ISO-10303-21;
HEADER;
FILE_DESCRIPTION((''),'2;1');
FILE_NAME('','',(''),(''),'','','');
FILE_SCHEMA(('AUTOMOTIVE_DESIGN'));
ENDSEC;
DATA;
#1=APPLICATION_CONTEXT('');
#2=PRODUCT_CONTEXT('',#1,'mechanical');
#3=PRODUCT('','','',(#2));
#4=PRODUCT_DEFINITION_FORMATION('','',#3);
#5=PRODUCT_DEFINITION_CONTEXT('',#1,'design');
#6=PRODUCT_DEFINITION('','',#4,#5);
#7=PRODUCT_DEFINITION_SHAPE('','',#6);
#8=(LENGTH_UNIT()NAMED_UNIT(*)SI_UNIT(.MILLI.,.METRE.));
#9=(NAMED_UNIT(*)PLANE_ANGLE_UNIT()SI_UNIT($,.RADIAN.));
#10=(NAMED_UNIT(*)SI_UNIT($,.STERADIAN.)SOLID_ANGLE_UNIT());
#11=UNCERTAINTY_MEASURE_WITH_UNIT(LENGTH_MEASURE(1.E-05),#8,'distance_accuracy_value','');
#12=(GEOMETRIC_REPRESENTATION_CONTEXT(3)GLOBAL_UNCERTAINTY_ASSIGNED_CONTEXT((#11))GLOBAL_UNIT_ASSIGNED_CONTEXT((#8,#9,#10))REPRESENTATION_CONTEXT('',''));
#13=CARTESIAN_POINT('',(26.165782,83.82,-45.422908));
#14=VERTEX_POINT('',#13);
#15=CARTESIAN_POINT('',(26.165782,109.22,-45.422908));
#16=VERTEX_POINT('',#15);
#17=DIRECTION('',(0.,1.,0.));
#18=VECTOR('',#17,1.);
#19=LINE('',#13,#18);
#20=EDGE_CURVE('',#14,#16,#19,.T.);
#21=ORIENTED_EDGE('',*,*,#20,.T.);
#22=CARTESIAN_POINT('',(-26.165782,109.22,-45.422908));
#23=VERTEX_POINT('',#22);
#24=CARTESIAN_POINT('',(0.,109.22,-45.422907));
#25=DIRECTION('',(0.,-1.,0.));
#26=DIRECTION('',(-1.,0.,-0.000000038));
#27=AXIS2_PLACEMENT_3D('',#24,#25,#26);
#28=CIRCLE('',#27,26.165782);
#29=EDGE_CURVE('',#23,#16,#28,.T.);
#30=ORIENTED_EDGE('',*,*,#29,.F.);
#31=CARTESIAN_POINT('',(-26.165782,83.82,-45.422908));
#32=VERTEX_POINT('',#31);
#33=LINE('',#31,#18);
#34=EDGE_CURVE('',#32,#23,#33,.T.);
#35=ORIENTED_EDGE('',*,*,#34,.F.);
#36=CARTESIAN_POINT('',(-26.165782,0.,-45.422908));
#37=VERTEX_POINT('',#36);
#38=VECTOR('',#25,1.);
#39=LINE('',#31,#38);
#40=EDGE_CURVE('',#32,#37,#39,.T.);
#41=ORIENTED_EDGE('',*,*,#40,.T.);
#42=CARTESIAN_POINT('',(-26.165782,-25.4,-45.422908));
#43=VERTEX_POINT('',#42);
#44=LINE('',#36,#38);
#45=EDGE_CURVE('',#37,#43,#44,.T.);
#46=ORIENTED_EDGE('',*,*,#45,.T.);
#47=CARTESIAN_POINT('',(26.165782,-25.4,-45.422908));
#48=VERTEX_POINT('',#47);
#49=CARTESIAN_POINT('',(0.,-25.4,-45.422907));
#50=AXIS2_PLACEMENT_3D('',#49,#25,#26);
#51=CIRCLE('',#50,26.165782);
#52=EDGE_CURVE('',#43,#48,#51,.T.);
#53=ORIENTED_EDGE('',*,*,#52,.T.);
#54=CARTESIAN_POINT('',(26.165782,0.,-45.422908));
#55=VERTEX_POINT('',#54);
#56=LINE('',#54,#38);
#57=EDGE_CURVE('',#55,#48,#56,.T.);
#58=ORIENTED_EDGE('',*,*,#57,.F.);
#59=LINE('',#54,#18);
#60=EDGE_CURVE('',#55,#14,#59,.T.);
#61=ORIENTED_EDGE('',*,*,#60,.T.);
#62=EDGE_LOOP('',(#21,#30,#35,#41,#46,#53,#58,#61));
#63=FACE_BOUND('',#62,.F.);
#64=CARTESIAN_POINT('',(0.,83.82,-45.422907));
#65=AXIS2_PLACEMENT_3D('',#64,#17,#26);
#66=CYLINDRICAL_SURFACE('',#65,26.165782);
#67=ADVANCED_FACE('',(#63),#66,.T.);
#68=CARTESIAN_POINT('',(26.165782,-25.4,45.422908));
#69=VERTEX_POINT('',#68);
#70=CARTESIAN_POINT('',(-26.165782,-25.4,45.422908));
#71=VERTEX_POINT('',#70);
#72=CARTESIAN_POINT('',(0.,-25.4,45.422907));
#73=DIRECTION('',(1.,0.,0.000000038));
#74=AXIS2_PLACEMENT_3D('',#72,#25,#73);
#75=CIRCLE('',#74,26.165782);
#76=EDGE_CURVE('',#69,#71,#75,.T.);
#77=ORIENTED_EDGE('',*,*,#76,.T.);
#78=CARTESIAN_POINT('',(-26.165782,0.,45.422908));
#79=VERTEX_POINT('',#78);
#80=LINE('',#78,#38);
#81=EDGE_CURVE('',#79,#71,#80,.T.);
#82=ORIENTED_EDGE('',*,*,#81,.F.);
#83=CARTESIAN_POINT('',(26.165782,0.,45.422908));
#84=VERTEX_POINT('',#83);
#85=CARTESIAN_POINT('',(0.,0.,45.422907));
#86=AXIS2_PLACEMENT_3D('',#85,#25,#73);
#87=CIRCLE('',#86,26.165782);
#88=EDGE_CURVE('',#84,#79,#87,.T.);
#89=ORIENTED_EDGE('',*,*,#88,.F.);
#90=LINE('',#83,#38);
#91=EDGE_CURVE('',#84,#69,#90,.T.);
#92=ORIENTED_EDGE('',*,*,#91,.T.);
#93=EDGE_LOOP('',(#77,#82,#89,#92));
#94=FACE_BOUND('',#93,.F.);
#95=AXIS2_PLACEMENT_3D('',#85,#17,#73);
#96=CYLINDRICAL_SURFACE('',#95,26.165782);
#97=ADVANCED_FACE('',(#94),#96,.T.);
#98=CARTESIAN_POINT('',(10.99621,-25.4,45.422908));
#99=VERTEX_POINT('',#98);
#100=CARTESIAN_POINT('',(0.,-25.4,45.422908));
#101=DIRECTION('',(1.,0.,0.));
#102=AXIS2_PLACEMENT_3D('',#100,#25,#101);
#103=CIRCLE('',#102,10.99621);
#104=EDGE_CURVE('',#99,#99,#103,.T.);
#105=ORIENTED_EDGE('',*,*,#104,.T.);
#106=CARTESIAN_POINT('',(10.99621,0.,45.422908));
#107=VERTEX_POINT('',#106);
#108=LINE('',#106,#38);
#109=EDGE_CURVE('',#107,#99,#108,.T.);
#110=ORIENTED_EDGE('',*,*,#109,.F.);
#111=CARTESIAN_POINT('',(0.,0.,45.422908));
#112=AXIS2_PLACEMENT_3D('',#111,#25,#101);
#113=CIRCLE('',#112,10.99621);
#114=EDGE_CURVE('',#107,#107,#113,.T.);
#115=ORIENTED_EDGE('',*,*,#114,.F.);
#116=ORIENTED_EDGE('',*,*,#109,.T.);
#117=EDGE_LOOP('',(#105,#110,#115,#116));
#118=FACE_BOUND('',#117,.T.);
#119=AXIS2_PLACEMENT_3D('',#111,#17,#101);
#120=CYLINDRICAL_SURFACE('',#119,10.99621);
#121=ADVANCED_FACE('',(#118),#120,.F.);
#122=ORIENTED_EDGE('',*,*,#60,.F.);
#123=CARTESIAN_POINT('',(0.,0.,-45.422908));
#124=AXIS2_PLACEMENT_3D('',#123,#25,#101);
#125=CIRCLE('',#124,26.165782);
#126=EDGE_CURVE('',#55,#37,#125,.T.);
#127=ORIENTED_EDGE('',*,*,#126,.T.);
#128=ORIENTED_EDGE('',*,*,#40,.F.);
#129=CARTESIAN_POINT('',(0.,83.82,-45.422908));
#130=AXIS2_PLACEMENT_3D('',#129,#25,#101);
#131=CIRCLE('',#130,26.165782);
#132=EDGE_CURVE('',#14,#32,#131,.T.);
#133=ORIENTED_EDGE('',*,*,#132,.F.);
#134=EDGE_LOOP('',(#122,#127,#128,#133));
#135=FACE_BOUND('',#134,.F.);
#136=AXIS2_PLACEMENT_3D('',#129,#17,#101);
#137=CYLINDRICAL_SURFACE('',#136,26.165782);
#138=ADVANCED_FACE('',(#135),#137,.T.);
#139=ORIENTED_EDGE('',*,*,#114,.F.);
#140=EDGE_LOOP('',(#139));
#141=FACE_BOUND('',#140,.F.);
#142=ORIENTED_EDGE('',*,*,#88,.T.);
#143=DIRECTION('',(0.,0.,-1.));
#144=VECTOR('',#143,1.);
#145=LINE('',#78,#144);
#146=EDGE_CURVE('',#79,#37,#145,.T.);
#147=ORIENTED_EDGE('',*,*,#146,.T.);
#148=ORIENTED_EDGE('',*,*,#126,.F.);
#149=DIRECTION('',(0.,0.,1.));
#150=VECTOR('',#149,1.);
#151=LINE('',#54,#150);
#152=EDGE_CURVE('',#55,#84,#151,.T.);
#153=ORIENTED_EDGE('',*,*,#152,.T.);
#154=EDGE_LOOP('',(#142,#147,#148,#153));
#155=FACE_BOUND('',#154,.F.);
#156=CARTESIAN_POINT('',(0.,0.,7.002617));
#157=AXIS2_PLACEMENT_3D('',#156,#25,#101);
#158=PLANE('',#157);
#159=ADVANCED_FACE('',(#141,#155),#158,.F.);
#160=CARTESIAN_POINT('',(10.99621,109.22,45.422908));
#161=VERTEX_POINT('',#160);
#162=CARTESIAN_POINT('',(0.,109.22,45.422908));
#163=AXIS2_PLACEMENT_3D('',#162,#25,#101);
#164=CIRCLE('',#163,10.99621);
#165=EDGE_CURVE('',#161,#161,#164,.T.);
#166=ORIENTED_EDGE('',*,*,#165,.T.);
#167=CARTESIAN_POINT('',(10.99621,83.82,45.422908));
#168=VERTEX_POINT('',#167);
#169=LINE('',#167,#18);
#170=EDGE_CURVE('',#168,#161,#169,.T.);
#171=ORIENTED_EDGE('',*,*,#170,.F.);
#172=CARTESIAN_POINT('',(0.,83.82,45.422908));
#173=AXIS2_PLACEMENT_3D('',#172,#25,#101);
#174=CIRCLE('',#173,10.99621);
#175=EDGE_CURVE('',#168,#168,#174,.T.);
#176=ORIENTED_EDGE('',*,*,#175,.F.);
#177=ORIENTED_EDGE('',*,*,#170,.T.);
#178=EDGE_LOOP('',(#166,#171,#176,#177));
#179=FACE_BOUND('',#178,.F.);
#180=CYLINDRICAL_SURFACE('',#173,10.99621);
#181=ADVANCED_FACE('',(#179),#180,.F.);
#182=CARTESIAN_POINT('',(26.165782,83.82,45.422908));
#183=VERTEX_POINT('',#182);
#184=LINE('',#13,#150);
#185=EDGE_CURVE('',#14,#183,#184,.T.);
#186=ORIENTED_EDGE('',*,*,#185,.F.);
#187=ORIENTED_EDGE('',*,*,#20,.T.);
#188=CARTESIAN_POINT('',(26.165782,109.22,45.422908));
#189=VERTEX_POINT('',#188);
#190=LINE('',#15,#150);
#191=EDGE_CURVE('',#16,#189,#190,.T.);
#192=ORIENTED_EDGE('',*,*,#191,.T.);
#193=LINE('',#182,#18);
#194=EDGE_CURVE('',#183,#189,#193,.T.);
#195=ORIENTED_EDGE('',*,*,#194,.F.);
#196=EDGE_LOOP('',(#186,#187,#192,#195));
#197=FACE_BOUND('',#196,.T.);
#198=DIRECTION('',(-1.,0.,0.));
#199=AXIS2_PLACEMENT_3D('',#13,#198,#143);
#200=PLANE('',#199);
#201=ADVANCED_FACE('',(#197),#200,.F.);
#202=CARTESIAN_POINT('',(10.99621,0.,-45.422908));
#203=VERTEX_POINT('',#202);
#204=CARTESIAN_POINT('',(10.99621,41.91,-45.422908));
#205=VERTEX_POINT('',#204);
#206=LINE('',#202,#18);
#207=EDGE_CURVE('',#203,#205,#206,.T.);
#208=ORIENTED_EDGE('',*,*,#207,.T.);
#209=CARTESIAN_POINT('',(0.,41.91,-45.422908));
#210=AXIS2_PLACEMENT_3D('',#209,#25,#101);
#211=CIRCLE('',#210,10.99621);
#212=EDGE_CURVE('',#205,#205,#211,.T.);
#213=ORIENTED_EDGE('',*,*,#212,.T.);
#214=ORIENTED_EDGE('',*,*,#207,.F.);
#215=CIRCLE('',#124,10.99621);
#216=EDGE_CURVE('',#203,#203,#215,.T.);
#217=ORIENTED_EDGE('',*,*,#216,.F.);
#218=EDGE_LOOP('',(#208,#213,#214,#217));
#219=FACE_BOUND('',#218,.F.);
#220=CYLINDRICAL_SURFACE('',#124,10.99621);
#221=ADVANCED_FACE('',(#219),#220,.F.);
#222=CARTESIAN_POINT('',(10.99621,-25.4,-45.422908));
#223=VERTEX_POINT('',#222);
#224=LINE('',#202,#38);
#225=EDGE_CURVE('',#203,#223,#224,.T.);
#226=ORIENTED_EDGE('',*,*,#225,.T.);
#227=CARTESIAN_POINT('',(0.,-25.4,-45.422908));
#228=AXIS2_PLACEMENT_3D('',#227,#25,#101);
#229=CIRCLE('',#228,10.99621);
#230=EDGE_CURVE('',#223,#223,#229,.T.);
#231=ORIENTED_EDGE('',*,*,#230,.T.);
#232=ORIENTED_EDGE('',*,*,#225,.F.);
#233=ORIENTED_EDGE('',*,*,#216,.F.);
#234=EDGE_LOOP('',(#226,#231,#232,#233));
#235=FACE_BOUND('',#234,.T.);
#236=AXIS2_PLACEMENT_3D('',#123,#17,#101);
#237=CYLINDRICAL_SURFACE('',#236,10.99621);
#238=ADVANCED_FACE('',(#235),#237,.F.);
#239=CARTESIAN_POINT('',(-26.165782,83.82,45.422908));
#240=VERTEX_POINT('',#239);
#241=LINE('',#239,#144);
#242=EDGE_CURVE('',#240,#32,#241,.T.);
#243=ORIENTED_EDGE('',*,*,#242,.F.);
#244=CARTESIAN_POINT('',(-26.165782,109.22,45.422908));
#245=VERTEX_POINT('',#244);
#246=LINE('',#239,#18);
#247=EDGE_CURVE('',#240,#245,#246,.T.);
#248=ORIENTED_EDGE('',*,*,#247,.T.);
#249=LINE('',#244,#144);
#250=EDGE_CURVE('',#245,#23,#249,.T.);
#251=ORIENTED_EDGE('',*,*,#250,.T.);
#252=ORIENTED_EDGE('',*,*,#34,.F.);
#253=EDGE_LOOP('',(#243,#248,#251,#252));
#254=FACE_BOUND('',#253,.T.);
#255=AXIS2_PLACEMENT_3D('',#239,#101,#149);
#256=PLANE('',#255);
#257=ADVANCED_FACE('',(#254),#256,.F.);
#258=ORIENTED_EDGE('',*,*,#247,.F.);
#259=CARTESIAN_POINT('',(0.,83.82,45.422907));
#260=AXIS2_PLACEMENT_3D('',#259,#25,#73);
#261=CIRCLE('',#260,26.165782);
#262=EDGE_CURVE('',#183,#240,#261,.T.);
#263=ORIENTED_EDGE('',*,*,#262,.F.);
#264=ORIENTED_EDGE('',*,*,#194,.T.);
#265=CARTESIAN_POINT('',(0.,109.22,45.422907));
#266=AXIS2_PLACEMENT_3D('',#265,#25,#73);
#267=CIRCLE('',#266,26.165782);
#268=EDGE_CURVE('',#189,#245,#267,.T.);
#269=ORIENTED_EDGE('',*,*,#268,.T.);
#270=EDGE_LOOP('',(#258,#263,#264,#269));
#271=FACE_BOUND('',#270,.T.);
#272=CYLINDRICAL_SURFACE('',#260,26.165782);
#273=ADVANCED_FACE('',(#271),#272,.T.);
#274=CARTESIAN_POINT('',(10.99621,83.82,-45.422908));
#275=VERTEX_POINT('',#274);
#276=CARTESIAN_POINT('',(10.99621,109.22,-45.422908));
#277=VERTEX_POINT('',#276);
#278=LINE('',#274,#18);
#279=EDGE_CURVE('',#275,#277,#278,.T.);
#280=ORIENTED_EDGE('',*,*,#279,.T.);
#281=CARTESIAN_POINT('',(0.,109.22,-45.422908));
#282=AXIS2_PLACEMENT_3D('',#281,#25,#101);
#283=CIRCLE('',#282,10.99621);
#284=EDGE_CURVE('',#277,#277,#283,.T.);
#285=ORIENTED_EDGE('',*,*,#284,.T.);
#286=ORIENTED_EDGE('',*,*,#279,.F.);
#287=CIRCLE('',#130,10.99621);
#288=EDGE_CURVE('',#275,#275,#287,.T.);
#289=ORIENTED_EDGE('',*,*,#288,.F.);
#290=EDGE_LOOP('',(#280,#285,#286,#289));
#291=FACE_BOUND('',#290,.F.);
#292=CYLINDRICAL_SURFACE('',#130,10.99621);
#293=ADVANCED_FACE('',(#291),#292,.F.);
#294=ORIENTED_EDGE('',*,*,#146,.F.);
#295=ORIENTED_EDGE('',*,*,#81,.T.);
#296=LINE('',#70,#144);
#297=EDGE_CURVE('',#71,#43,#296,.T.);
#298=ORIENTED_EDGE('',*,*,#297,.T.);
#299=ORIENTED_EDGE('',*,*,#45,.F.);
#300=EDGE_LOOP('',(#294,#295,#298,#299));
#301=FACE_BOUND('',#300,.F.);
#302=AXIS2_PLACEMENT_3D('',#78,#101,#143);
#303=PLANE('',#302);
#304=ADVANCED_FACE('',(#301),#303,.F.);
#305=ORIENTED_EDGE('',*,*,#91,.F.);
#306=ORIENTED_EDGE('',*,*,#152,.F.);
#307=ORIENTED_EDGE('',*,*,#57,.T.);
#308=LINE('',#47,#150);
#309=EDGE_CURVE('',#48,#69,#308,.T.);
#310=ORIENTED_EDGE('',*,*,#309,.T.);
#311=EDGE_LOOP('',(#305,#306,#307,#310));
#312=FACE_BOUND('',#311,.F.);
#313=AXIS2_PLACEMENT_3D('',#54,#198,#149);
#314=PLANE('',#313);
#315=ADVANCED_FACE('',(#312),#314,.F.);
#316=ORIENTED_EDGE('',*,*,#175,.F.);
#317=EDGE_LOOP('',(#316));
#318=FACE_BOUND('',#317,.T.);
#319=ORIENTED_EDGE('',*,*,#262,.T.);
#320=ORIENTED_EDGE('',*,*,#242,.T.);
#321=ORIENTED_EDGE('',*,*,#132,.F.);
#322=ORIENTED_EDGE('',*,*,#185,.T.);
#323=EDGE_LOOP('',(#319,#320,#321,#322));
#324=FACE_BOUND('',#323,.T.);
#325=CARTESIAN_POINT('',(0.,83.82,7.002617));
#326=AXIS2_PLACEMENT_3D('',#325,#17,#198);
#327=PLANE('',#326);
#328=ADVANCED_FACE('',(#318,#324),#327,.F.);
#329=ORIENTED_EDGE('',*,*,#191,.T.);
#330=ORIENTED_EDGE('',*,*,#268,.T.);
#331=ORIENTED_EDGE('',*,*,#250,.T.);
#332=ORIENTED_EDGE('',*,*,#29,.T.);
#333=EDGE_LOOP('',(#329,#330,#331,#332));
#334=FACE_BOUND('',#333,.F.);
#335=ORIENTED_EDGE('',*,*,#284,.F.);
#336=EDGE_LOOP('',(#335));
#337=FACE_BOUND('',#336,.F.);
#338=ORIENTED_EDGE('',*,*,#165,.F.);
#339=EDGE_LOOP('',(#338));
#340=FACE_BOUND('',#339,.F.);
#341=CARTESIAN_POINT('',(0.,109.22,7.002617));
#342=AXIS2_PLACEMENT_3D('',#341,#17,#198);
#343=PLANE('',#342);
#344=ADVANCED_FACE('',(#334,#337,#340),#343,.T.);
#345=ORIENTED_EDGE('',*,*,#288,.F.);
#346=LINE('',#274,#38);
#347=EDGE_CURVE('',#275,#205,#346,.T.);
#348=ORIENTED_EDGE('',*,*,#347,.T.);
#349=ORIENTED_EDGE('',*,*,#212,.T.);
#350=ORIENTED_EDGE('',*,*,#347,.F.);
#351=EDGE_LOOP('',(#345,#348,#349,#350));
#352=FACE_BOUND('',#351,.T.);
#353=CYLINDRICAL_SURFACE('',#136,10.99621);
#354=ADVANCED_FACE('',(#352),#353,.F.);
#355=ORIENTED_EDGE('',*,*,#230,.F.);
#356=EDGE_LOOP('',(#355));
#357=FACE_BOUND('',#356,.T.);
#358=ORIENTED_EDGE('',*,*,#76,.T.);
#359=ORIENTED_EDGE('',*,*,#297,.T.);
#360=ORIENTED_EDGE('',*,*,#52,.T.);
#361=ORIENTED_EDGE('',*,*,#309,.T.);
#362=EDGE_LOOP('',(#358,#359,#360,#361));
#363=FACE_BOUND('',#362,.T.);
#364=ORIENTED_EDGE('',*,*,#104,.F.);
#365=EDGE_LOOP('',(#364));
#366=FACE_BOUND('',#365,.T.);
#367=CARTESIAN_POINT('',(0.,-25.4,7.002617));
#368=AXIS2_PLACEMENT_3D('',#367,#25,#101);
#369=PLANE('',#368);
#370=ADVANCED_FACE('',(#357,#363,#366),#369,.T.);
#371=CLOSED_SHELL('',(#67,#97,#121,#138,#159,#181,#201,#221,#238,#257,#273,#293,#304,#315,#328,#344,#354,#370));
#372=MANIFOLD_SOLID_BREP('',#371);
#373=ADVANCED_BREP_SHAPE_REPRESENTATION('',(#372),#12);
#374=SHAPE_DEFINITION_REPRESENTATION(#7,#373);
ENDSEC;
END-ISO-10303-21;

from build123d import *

# Parameters (mm, degrees)
F0_R     = 10.99621
F1_DEPTH = 25.4
F2_DEPTH = 41.91


with BuildPart() as f1:
    # F0 (on Front) → F1 (new body)
    with BuildSketch(Plane.XZ):
        with BuildLine():
            ThreePointArc((26.165782, 45.422908), (0, 71.588689), (-26.165782, 45.422908))
            Line((-26.165782, 45.422908), (-26.165782, -45.422908))
            ThreePointArc((-26.165782, -45.422908), (0, -19.257126), (26.165782, -45.422908))
            Line((26.165782, -45.422908), (26.165782, 45.422908))
        make_face()
        with Locations((0, 45.422908)):
            Circle(F0_R, mode=Mode.SUBTRACT)
        with BuildLine():
            ThreePointArc((26.165782, -45.422908), (0, -19.257126), (-26.165782, -45.422908))
            ThreePointArc((-26.165782, -45.422908), (0, -71.588689), (26.165782, -45.422908))
        make_face()
        with Locations((0, -45.422908)):
            Circle(F0_R, mode=Mode.SUBTRACT)
    extrude(amount=F1_DEPTH)

    # F0 (on Front) → F2 (join)
    with BuildSketch(Plane.XZ):
        with BuildLine():
            ThreePointArc((26.165782, -45.422908), (0, -19.257126), (-26.165782, -45.422908))
            ThreePointArc((-26.165782, -45.422908), (0, -71.588689), (26.165782, -45.422908))
        make_face()
        with Locations((0, -45.422908)):
            Circle(F0_R, mode=Mode.SUBTRACT)
    extrude(amount=-F2_DEPTH)

    # F3: F1 across face


with BuildPart() as f1_1:
    add(f1.part)
    add(f1.part.mirror(Plane(origin=(0, 41.91, -45.422908), x_dir=(1, 0, 0), z_dir=(0, 1, 0))))


solid = f1_1.part
